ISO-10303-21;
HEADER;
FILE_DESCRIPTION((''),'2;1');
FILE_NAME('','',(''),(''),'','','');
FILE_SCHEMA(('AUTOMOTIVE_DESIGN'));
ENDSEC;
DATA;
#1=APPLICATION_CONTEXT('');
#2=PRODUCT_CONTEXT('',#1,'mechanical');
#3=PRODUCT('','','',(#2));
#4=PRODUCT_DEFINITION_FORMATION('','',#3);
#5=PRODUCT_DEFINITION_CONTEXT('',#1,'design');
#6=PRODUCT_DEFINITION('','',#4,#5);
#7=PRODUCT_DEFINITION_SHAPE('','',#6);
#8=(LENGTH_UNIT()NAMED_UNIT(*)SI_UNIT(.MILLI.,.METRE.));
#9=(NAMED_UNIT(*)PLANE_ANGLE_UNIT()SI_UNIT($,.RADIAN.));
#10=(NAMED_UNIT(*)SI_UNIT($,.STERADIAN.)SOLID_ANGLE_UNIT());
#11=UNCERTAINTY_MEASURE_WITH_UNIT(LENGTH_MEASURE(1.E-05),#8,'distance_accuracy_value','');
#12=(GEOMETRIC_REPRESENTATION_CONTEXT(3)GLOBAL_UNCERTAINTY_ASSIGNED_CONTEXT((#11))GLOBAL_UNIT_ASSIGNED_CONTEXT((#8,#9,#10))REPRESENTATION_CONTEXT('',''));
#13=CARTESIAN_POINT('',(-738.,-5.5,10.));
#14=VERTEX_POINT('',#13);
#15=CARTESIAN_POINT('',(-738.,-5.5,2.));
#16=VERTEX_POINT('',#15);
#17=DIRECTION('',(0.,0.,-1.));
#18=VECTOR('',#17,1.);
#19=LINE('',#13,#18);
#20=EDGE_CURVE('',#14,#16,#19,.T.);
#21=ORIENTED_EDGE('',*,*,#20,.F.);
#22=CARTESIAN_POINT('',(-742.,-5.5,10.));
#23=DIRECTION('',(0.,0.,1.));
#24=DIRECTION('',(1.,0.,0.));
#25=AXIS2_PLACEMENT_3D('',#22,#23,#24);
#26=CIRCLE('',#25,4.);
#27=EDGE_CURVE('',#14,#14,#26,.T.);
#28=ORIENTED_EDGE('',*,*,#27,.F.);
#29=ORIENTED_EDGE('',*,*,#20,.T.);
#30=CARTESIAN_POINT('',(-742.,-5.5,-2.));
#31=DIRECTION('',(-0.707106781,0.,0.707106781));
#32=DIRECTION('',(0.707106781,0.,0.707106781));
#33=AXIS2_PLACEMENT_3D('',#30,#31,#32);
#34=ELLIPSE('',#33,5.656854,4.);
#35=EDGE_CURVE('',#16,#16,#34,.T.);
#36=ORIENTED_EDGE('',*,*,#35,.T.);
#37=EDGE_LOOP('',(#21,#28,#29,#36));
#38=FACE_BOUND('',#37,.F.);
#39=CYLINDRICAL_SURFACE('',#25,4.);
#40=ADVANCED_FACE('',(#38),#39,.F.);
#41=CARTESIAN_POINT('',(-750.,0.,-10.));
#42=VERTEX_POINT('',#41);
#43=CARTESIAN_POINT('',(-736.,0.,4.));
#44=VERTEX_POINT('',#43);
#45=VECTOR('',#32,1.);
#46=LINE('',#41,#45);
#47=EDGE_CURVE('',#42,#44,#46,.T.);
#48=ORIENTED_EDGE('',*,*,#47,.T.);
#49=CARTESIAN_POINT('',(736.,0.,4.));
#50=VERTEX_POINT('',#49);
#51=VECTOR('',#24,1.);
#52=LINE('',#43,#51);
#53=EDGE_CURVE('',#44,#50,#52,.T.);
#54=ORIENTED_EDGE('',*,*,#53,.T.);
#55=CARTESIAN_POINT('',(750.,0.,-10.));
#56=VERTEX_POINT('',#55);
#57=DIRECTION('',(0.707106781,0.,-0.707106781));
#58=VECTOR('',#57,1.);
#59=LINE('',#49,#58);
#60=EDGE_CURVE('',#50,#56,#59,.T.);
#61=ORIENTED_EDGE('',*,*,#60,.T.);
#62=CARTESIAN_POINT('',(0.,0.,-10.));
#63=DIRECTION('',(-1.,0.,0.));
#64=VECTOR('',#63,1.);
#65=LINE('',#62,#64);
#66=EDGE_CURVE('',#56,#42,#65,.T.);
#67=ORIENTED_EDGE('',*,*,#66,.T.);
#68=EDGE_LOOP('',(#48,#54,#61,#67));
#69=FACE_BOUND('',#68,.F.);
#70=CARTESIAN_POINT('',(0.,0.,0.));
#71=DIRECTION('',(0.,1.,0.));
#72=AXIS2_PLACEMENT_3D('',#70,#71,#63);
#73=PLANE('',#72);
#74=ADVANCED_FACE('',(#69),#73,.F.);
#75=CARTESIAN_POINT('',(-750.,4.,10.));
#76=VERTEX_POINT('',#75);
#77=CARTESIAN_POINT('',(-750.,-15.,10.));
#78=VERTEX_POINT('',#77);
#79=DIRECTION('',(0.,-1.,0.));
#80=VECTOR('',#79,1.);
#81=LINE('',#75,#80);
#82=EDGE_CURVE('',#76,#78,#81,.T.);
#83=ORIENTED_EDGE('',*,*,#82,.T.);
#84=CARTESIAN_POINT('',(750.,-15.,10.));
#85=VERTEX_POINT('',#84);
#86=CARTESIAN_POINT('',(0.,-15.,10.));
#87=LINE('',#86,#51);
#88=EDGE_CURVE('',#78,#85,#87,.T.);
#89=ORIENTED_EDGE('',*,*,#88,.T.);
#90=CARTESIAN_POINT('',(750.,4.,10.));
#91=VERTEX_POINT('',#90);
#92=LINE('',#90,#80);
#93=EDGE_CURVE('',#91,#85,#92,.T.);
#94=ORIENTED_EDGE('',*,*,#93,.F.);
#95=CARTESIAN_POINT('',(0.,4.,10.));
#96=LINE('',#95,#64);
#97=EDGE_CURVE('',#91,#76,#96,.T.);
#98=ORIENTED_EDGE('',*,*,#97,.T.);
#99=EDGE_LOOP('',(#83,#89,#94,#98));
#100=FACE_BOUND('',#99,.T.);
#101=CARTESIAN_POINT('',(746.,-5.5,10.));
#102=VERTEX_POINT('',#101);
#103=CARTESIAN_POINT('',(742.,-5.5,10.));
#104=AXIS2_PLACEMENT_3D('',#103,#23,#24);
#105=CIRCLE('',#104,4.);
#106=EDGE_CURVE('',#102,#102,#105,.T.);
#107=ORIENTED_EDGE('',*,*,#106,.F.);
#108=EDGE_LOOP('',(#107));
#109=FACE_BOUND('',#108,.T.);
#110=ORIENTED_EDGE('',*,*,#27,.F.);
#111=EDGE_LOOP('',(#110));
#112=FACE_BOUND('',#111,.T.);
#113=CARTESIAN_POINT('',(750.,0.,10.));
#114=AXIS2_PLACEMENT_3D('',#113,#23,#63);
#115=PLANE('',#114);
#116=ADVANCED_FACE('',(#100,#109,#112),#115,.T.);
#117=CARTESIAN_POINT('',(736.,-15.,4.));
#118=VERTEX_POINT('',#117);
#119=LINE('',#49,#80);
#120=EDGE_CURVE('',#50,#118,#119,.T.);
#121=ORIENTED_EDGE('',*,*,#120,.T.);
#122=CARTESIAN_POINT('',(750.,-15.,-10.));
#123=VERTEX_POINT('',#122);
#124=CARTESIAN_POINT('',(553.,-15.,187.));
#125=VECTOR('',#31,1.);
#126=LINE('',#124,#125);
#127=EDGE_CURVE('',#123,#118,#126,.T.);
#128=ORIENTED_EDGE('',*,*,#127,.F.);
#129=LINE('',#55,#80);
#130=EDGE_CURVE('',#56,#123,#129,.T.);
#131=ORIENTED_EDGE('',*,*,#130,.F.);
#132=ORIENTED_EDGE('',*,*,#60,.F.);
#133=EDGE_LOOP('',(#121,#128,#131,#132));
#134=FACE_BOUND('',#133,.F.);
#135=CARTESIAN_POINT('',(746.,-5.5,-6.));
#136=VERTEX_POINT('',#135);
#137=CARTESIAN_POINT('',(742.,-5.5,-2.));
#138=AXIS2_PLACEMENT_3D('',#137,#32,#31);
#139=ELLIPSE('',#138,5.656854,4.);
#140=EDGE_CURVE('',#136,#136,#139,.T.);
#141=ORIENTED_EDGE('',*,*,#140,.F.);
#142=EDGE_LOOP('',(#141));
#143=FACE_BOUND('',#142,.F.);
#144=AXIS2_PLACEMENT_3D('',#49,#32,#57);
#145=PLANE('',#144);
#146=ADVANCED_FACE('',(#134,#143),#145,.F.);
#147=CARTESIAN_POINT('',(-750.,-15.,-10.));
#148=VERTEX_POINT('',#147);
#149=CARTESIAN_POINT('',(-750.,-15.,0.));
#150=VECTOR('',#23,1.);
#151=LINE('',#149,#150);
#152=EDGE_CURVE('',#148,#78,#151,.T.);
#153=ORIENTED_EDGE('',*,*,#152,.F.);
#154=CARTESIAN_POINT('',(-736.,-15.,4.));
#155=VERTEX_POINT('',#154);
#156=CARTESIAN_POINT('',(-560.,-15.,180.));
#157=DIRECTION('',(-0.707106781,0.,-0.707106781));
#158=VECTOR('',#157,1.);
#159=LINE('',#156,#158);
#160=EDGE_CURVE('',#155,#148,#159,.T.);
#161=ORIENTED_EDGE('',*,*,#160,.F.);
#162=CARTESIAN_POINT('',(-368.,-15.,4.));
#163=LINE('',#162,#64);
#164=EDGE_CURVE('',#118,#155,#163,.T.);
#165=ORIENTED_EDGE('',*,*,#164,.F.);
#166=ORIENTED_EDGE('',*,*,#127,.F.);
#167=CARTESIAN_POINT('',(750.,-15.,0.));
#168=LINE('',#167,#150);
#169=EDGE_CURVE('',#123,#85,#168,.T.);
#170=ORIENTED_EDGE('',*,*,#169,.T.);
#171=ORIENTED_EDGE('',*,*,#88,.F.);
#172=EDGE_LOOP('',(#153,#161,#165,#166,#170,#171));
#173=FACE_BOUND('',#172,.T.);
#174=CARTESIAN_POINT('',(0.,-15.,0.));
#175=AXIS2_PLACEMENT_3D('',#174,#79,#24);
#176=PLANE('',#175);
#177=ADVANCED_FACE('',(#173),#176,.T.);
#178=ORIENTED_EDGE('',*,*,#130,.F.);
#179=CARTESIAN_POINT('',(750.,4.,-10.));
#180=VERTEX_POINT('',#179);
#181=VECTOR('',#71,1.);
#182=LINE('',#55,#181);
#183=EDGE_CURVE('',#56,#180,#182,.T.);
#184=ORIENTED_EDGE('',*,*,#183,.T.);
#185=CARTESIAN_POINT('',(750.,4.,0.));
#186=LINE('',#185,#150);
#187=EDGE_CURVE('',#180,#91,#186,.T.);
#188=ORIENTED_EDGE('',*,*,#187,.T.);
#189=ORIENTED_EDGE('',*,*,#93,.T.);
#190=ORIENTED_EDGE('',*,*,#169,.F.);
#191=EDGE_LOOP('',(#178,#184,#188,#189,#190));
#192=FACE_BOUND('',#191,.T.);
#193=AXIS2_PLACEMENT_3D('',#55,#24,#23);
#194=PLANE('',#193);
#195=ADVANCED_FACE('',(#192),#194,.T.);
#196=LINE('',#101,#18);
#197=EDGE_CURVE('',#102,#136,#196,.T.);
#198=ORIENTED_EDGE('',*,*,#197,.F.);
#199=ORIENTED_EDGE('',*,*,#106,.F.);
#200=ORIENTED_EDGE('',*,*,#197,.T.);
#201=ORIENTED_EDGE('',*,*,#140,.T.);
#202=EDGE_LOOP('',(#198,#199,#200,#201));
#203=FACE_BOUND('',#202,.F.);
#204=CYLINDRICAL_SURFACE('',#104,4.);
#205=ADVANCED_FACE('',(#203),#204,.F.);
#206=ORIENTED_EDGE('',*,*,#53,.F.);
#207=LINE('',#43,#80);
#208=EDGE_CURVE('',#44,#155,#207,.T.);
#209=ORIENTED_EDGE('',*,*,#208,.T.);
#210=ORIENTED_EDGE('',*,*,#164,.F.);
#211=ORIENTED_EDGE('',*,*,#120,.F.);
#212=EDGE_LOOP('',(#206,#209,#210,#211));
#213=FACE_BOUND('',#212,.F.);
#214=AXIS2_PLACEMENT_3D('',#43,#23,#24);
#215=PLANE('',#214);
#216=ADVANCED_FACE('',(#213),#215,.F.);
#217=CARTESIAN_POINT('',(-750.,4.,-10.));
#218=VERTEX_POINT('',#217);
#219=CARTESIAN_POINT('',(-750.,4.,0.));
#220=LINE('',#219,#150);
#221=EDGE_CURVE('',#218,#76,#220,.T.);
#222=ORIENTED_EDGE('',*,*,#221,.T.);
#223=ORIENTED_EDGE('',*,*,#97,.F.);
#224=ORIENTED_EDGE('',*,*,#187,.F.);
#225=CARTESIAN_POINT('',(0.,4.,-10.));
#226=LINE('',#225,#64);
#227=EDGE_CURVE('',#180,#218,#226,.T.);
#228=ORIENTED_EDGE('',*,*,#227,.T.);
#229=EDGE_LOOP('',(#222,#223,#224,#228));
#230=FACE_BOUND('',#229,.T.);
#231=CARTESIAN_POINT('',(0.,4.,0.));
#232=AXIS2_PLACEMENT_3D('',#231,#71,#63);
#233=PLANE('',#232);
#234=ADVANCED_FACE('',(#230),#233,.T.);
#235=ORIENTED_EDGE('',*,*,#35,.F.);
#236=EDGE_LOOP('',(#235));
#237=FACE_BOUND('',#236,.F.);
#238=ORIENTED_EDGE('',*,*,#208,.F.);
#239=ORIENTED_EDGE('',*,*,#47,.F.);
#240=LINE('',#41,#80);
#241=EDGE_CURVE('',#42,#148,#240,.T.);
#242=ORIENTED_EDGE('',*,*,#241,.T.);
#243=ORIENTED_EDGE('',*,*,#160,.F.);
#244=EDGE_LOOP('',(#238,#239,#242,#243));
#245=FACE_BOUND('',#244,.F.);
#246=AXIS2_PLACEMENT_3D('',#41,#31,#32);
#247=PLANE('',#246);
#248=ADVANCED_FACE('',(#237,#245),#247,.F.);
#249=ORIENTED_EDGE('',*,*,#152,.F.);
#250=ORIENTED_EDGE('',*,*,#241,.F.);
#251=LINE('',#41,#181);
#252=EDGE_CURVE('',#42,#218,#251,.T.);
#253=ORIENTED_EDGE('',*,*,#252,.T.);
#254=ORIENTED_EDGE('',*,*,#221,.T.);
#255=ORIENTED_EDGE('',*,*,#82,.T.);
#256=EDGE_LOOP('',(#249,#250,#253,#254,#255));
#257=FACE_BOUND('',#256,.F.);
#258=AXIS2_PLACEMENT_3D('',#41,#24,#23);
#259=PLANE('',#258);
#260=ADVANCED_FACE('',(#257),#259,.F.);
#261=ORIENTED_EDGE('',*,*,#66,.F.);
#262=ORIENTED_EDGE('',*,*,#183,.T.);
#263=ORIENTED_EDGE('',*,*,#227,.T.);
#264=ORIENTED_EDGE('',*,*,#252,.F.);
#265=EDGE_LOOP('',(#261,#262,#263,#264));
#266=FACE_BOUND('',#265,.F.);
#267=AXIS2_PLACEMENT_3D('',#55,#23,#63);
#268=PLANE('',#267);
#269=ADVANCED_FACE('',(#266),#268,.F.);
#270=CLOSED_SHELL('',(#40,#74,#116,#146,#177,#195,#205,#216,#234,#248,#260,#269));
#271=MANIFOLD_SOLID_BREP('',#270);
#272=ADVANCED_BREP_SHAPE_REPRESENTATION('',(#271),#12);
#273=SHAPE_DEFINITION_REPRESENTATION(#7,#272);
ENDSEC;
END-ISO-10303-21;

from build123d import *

# Parameters (mm, degrees)
F0_W     = 1500
F0_H     = 20
F1_DEPTH = 15
F3_DEPTH = 25
F4_W     = 1500
F4_H     = 20
F5_DEPTH = 4
F6_R     = 4
F7_DEPTH = 20.001


with BuildPart() as f1:
    # F0 (on Front) → F1 (new body)
    with BuildSketch(Plane.XZ):
        Rectangle(F0_W, F0_H)
    extrude(amount=F1_DEPTH)

    # F2 (on face) → F3 (cut)
    with BuildSketch(Plane(origin=(0, 0, 0), x_dir=(-1, 0, 0), z_dir=(0, 1, 0))):
        Polygon((-736, 4), (-750, -10), (750, -10), (736, 4), align=None)
    extrude(amount=-F3_DEPTH, mode=Mode.SUBTRACT)

    # F4 (on face) → F5 (join)
    with BuildSketch(Plane(origin=(0, 0, 0), x_dir=(-1, 0, 0), z_dir=(0, 1, 0))):
        Rectangle(F4_W, F4_H)
    extrude(amount=F5_DEPTH)

    # F6 (on face) → F7 (cut, through all)
    with BuildSketch(Plane.XY.offset(10)):
        with Locations((-742, -5.5)):
            Circle(F6_R)
        with Locations((742, -5.5)):
            Circle(F6_R)
    extrude(amount=-F7_DEPTH, mode=Mode.SUBTRACT)


solid = f1.part
